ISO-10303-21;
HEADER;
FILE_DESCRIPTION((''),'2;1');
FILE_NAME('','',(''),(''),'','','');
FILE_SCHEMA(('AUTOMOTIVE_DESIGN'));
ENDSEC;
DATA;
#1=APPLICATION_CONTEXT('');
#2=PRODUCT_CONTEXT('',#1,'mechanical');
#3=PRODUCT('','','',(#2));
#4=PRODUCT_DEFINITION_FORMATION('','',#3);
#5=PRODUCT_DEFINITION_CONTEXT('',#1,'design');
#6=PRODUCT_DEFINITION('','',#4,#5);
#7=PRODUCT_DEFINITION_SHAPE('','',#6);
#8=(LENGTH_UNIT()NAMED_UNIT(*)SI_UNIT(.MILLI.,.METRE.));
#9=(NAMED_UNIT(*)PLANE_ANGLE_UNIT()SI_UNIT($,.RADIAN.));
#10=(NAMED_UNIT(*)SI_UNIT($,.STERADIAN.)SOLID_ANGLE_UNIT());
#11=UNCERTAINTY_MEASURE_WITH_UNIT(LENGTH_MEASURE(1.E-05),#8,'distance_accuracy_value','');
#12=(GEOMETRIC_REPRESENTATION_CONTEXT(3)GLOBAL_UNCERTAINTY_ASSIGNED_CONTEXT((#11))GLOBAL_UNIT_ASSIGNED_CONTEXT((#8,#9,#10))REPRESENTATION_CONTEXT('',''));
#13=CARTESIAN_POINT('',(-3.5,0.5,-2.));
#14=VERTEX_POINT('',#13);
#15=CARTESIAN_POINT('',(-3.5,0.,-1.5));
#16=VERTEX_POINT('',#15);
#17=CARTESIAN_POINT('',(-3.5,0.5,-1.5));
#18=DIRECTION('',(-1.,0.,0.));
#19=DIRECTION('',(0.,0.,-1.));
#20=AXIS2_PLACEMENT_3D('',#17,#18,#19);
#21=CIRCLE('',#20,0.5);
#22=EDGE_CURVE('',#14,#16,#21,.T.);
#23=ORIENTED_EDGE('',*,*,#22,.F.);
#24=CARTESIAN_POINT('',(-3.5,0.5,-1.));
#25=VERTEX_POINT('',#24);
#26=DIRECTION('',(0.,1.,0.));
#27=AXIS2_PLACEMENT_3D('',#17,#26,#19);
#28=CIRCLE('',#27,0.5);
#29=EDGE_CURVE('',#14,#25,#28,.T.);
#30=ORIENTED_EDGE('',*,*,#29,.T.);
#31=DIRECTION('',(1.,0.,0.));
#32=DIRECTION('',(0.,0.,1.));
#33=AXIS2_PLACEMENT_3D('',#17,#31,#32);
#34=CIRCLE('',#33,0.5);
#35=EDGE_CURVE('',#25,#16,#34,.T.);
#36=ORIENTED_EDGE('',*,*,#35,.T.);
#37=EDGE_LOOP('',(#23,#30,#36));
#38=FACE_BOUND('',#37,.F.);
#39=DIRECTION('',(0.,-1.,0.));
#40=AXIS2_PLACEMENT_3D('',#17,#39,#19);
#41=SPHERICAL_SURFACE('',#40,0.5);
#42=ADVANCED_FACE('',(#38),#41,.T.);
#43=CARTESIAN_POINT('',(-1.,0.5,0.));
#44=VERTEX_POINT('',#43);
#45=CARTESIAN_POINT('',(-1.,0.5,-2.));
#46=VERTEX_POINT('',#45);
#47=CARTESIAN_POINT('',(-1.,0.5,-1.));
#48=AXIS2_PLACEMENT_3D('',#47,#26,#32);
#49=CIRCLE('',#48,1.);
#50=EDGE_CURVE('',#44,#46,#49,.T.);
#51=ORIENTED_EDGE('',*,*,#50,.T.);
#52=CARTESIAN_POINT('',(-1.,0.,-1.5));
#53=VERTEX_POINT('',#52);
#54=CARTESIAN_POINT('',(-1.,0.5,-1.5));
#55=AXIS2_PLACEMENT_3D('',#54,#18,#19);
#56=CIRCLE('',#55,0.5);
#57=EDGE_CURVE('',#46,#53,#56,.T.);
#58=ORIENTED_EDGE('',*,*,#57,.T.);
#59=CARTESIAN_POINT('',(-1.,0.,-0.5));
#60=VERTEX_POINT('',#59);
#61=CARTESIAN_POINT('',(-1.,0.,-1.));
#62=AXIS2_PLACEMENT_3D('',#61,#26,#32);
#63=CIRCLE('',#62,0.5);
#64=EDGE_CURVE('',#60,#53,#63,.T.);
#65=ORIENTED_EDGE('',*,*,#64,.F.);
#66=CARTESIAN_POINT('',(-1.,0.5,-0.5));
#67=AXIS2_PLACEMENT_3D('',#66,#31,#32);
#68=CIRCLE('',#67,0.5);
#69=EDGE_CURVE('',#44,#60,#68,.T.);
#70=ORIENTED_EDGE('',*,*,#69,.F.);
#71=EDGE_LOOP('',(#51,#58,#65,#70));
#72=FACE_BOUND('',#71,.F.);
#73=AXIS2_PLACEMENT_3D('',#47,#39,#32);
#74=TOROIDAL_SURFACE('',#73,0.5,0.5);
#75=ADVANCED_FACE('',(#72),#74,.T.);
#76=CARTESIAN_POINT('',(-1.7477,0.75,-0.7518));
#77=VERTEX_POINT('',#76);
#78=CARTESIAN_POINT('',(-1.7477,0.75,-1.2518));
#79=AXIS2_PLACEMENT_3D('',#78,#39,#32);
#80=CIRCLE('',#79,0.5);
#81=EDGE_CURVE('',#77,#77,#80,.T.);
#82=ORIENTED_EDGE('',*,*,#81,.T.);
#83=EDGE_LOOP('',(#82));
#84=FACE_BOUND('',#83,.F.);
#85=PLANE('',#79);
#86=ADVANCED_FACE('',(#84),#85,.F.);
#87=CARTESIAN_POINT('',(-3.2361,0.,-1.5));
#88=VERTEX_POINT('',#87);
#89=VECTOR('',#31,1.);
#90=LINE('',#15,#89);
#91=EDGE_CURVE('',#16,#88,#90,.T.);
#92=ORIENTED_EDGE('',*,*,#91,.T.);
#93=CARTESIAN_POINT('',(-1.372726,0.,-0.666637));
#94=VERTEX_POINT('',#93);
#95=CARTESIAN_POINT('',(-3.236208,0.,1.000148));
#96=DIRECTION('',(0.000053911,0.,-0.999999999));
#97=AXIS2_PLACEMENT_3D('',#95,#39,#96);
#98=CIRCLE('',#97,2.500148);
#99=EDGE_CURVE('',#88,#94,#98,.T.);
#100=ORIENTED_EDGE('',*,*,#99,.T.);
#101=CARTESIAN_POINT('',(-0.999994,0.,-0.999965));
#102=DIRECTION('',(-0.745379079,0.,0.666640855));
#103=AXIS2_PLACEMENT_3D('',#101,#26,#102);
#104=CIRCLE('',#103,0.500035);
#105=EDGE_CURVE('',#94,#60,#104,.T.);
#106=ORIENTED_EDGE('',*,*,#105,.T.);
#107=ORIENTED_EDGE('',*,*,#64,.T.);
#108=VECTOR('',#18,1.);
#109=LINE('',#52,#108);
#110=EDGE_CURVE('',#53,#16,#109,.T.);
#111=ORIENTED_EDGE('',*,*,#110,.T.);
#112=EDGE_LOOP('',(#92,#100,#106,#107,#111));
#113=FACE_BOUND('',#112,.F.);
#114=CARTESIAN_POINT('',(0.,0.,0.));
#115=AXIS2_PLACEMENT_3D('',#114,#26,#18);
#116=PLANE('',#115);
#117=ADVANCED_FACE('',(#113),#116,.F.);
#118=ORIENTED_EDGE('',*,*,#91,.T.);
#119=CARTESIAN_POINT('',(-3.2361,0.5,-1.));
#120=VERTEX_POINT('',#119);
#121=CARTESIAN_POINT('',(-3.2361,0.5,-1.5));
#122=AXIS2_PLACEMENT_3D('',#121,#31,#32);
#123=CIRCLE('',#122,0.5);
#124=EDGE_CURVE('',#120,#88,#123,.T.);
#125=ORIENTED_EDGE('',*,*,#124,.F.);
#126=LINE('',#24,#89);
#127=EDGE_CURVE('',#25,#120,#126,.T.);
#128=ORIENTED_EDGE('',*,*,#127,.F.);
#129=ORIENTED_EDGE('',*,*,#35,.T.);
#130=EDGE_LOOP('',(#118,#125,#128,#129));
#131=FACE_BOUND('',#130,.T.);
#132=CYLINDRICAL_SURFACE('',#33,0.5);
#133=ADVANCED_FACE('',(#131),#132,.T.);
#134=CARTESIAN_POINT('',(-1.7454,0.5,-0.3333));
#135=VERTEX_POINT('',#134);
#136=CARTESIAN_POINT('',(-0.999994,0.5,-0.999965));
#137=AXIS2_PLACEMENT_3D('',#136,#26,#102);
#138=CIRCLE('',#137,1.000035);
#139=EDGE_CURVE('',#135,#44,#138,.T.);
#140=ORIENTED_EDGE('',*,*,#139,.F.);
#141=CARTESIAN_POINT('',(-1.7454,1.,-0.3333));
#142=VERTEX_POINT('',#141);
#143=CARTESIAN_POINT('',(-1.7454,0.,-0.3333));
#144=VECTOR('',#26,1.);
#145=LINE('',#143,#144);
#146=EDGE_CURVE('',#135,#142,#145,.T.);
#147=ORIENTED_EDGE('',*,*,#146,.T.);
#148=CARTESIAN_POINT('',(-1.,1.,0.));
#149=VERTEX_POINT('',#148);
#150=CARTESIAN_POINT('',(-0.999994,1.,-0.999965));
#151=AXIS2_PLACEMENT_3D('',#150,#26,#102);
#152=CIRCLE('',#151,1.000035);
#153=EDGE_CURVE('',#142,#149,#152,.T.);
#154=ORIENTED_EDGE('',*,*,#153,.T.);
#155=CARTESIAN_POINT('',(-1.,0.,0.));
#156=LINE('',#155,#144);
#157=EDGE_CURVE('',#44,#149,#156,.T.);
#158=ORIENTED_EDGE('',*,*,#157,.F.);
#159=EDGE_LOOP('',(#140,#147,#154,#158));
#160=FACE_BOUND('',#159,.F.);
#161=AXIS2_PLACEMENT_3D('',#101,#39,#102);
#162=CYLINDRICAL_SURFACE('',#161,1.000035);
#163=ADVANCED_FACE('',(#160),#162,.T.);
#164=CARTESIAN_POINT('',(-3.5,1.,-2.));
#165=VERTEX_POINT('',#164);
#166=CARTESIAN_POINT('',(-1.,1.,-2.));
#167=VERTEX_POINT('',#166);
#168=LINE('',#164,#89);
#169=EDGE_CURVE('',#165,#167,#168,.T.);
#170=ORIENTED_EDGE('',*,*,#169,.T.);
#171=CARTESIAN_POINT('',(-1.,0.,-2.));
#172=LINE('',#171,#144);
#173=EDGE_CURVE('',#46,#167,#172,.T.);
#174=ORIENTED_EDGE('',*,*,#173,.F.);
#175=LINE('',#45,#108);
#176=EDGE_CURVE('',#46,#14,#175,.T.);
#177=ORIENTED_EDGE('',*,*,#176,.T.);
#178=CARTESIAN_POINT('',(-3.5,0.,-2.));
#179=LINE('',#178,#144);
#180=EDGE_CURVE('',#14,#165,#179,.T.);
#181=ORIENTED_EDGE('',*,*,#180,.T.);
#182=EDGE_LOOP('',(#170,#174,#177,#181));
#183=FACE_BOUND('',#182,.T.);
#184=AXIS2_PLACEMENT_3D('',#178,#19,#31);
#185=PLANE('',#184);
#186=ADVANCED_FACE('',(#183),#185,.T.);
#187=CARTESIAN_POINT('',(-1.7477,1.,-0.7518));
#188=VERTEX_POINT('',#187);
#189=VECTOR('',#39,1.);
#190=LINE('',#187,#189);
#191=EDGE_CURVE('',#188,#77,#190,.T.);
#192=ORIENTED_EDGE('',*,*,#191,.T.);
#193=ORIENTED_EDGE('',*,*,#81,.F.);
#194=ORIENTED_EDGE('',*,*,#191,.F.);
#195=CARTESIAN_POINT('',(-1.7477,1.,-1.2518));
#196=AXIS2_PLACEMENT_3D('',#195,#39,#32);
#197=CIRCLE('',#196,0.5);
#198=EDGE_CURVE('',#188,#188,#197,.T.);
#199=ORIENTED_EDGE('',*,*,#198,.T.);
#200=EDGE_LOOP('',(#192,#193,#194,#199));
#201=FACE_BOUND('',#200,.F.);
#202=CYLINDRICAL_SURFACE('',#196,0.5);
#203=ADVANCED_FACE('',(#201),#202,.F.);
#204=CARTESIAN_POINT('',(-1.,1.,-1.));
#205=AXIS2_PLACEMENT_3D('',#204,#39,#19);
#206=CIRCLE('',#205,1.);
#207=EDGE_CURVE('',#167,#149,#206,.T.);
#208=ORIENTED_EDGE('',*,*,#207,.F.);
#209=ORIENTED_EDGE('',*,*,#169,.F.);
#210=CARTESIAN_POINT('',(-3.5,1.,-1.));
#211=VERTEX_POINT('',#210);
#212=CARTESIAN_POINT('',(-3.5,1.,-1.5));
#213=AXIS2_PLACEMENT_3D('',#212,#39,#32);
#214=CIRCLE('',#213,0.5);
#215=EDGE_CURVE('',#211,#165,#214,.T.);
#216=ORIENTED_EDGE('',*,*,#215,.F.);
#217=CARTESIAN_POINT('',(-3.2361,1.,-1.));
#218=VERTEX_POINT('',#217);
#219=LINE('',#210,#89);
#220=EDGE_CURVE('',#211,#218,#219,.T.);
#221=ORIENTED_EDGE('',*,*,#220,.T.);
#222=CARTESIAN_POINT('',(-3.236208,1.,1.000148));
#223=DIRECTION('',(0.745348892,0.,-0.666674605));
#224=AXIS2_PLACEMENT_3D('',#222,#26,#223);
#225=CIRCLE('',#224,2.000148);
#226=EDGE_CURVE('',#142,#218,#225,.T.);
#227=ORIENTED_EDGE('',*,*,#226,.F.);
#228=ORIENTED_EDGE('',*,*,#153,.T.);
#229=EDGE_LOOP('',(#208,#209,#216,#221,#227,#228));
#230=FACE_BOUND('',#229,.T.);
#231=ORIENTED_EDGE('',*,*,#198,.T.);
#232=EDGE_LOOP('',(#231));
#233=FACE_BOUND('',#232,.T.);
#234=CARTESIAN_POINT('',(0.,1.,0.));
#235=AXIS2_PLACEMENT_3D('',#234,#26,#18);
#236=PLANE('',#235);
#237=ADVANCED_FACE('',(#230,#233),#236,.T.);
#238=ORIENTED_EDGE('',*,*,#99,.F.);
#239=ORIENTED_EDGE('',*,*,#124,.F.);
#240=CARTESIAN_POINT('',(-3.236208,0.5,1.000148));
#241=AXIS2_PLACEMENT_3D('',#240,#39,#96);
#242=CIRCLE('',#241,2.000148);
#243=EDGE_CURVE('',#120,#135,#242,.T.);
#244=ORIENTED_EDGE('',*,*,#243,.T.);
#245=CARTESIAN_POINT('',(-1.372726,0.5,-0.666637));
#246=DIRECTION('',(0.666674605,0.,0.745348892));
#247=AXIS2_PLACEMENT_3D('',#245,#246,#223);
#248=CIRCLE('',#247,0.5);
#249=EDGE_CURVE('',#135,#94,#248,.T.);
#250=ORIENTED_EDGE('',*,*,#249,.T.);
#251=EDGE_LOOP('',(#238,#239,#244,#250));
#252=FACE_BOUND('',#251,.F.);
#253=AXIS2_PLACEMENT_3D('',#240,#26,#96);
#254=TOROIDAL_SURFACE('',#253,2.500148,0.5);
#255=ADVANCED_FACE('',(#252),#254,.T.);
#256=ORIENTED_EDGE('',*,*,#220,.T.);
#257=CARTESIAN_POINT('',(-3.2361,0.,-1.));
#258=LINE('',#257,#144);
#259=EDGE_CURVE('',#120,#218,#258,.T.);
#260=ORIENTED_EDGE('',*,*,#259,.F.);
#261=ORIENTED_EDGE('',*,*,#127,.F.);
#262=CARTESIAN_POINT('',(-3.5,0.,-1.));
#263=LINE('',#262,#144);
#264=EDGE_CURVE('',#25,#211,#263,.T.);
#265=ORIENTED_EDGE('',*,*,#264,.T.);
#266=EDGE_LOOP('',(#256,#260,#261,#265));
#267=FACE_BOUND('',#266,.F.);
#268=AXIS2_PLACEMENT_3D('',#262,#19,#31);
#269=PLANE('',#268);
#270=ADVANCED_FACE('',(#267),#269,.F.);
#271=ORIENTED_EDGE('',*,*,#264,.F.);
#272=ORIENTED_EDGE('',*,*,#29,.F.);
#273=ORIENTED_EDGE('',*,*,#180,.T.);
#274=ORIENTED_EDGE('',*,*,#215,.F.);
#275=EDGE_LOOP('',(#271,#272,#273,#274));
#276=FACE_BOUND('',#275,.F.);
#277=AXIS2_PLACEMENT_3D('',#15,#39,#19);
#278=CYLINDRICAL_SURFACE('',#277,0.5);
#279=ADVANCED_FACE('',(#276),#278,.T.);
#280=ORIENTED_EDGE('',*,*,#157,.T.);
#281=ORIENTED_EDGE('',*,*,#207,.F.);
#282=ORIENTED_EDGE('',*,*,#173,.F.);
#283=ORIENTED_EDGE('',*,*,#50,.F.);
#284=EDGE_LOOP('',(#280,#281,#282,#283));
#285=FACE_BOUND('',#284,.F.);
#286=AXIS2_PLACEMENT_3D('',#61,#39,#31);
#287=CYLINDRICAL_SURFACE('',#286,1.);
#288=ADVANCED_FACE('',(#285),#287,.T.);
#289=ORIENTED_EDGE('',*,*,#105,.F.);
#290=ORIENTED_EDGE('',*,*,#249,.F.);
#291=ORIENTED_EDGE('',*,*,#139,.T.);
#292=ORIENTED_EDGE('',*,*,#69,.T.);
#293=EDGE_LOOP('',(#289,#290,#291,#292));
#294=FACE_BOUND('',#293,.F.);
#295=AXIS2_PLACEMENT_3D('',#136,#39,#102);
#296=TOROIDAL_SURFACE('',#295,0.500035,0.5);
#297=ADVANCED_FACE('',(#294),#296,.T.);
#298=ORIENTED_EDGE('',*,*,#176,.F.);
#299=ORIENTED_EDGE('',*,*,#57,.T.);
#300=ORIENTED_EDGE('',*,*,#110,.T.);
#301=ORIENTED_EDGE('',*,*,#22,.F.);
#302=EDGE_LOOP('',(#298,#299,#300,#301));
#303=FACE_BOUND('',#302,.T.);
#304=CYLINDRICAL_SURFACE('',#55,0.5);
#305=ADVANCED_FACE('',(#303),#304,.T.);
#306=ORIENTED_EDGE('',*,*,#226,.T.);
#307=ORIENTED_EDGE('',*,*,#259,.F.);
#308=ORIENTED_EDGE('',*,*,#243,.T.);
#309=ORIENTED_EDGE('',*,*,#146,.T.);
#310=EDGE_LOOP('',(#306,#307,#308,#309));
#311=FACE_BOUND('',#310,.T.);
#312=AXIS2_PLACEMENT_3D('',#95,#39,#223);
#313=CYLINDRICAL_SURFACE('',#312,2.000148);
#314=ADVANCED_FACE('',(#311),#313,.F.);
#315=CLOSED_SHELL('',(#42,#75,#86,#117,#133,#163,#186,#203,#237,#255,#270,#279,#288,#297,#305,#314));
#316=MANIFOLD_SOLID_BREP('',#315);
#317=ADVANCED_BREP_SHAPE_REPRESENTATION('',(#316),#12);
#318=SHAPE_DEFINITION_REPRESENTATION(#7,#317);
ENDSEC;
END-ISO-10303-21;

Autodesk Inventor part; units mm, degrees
ref_plane "YZ Plane" through (0, 0, 0) normal (1, 0, 0) x (0, 1, 0)
ref_plane "XZ Plane" through (0, 0, 0) normal (0, 1, 0) x (-1, 0, 0)
ref_plane "XY Plane" through (0, 0, 0) normal (0, 0, 1) x (1, 0, 0)
sketch "Sketch1" plane through (0, 0, 0) normal (0, 1, 0) x (-1, 0, 0)
  line L0 (1, 0) -> (4, 0) construction
  line L1 (4, 0) -> (4, -1.5) construction
  line L2 (3.5, -2) -> (1, -2)
  line L3 (0, -1) -> (0, -1)
  arc A0 (1, 0) -> (0, -1) centre (1, -1) ccw
  arc A1 (0, -1) -> (1, -2) centre (1, -1) ccw
  arc A2 (3.5, -2) -> (4, -1.5) centre (3.5, -1.5) ccw
  arc A3 (1.7454, -0.3333) -> (1, -2) centre (1, -1) ccw
  arc A4 (3.5, -2) -> (3.5, -1) centre (3.5, -1.5) ccw
  line L4 (3.5, -1) -> (3.2361, -1)
  arc A5 (1.7454, -0.3333) -> (3.2361, -1) centre (3.2361, 1) ccw
  point P0 (0, 0)
  point P1 (4, -2)
  point P2 (0, -2)
  point P3 (2, -1)
  dimension "d0" = 4
  dimension "d1" = 2
  dimension "d2" = 1
  dimension "d3" = 0.5
  dimension "d4" = 2
extrude "Extrusion1" add sketch "Sketch1" along normal blind 1
sketch "Sketch2" plane through (0, 1, 0) normal (0, 1, 0) x (1, 0, 0)
  circle A0 centre (-1.7477, 1.2518) radius 0.5
  point P0 (0, 0)
  dimension "d7" = 1
hole "Hole1" at (-1.7477, 1, -1.2518) direction (0, -1, 0) diameter 1 depth 0.25
fillet "Fillet2" radius 0.5 5 edges at (-0.0871, 0, -0.5918) (-2.25, 0, -2) (-4, 0, -1.5) (-3.368, 0, -1) (-2.4196, 0, -0.8257)
properties part number "cauciuc ochelari" material "Rubber, Silicone"
